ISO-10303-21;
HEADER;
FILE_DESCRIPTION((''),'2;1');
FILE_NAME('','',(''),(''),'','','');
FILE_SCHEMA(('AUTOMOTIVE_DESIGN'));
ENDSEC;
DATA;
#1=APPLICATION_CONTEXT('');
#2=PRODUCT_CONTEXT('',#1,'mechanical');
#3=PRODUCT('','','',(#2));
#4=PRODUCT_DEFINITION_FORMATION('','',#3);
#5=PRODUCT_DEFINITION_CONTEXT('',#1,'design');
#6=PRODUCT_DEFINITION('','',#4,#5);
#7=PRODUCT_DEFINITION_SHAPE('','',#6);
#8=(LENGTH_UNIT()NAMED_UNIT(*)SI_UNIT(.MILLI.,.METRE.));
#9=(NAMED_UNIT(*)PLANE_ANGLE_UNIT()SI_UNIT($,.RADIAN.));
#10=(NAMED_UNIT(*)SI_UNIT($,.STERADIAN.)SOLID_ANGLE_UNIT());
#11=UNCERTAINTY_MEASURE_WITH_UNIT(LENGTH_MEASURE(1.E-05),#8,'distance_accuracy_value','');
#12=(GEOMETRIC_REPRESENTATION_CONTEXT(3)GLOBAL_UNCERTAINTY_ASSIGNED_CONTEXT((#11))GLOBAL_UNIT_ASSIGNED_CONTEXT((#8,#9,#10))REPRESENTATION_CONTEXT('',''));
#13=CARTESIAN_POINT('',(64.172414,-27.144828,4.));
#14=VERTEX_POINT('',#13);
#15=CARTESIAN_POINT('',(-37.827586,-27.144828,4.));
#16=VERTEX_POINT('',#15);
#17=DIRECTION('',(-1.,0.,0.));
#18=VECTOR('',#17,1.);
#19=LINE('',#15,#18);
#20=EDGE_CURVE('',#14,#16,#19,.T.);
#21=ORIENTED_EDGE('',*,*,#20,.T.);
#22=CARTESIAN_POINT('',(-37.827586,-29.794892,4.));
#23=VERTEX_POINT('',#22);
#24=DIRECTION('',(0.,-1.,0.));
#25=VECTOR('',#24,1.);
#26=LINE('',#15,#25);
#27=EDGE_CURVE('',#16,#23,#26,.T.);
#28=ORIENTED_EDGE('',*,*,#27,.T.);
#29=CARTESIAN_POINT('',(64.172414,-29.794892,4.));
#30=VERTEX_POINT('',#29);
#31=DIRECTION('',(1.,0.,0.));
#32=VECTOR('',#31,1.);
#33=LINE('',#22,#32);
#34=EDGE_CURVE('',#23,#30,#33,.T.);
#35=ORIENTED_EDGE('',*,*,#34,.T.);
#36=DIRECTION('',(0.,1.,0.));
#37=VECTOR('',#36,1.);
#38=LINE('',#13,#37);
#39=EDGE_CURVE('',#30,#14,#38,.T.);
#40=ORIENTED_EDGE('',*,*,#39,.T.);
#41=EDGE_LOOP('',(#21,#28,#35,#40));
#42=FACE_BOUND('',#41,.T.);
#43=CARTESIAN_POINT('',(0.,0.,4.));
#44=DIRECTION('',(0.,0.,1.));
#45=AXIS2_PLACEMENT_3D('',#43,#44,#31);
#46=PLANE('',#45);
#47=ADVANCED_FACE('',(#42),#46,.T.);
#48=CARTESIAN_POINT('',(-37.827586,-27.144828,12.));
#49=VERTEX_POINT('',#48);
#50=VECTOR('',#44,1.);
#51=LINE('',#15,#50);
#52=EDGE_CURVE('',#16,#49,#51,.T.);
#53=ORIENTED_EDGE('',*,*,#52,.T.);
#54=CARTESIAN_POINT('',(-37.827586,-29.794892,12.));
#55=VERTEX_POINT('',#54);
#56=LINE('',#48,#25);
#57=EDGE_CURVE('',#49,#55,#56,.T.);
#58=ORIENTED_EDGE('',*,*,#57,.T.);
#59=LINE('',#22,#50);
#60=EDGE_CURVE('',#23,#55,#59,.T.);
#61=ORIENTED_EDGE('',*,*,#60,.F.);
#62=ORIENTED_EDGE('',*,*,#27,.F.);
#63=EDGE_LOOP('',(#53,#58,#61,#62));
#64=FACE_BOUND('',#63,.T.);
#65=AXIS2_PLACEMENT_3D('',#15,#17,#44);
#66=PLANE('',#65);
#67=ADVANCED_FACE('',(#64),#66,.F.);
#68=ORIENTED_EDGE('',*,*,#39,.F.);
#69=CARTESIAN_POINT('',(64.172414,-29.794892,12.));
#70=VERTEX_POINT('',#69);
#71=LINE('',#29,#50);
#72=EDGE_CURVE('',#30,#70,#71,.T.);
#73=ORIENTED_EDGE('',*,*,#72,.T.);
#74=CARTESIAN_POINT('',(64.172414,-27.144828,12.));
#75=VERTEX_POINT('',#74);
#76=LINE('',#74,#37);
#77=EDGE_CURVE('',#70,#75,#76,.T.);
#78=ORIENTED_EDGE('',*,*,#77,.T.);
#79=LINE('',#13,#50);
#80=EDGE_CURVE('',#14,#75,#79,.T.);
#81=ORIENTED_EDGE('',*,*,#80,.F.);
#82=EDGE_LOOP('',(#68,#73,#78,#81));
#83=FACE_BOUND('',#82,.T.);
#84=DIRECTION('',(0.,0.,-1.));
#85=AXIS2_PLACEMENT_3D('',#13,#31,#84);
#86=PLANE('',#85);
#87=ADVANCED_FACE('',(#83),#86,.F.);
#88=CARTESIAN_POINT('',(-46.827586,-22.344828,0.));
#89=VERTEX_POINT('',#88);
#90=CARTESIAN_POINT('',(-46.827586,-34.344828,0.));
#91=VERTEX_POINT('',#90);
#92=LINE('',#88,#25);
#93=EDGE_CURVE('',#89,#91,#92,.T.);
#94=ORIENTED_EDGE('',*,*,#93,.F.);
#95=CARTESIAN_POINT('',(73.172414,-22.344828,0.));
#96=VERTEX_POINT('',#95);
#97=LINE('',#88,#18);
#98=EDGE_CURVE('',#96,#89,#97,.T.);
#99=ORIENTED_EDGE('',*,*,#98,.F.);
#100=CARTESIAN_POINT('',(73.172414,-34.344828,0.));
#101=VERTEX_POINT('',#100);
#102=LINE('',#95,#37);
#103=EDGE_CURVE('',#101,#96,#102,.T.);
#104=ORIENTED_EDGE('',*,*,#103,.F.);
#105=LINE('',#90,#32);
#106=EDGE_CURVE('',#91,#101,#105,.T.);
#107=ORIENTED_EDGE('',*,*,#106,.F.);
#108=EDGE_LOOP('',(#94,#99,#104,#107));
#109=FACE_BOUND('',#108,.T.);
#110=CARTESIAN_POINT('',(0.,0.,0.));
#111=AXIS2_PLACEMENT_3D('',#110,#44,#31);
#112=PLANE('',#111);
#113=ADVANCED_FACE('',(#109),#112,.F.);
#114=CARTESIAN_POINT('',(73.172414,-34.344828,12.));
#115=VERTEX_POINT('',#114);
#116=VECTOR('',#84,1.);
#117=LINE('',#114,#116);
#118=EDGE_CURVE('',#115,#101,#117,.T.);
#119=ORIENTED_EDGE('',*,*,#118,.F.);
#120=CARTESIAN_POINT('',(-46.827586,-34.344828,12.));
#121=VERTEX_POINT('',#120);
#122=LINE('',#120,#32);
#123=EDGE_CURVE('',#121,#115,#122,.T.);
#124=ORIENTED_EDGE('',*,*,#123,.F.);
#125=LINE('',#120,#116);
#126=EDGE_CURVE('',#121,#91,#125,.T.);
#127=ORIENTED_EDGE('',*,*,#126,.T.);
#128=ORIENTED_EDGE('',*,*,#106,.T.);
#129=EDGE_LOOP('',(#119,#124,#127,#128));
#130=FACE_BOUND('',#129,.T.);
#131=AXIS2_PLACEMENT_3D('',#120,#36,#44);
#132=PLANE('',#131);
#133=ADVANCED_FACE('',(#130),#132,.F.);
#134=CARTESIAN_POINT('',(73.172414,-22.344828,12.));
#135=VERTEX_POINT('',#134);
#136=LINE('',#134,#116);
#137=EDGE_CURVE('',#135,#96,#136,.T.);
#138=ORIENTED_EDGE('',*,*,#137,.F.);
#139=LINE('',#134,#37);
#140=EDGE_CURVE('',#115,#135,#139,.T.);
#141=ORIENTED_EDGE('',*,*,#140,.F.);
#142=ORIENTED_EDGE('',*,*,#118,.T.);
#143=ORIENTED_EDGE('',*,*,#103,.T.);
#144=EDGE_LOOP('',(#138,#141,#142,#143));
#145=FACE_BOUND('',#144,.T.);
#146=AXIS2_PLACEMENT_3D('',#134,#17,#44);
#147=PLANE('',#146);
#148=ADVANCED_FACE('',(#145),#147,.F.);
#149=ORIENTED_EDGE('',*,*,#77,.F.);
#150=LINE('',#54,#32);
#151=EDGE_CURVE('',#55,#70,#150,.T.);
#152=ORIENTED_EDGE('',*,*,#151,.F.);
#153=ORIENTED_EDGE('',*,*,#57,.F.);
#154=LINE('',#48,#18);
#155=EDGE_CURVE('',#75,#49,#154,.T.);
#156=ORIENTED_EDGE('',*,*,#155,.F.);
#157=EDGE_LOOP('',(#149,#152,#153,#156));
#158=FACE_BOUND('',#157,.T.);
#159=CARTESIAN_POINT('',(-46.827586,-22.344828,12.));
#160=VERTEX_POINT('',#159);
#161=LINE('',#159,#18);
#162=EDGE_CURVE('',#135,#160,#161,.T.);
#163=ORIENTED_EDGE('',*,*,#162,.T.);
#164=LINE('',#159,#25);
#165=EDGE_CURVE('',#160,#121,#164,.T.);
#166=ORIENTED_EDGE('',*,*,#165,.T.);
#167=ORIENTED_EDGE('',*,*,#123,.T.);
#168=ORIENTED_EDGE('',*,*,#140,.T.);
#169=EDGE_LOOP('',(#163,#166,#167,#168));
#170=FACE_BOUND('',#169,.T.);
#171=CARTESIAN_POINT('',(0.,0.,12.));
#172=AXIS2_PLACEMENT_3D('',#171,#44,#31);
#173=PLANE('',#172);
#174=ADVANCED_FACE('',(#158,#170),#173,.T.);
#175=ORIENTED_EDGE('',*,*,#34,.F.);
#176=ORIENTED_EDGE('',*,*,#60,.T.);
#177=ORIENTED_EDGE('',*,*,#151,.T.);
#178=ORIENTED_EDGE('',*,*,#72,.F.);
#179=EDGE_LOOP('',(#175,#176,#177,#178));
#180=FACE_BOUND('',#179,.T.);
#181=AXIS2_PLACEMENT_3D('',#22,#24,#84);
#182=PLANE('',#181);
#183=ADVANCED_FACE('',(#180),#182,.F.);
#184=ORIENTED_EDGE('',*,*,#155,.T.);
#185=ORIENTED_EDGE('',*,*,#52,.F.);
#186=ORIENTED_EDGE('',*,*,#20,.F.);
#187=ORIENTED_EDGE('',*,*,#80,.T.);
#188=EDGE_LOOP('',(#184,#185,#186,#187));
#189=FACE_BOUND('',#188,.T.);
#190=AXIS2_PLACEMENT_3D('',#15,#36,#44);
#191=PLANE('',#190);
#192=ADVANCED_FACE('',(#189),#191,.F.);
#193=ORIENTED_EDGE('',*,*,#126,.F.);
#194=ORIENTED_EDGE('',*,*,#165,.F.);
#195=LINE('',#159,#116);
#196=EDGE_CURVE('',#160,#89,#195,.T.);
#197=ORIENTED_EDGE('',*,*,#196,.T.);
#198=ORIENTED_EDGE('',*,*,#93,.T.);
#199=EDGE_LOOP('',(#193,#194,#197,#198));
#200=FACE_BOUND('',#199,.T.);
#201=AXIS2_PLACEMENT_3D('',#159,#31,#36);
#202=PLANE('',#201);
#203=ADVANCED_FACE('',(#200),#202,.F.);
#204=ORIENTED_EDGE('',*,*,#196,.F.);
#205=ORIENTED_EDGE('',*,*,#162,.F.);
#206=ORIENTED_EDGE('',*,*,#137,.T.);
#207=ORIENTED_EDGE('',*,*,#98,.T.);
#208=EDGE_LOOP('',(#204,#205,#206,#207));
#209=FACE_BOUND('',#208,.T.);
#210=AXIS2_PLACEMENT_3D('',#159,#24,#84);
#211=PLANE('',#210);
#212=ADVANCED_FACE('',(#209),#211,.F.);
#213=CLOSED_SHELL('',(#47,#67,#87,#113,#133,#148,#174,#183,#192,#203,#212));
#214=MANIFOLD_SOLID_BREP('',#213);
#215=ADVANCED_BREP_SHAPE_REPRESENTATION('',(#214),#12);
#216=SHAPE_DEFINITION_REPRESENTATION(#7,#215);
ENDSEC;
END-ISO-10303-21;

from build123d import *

# Parameters (mm, degrees)
SKETCH_1_W          = 120
SKETCH_1_H          = 12
EXTRUDE_2_DEPTH     = 12
SKETCH_4_W          = 102
SKETCH_4_H          = 2.650064188
CUT_EXTRUDE_2_DEPTH = 8


with BuildPart() as part:
    # 草图1 → 凸台-拉伸2 (new body)
    with BuildSketch(Plane.XY):
        with Locations((13.172413793, -28.344827586)):
            Rectangle(SKETCH_1_W, SKETCH_1_H)
    extrude(amount=EXTRUDE_2_DEPTH)

    # 草图4 → 切除-拉伸2 (cut)
    with BuildSketch(Plane.XY.offset(12)):
        with Locations((13.172413793, -28.46985968)):
            Rectangle(SKETCH_4_W, SKETCH_4_H)
    extrude(amount=-CUT_EXTRUDE_2_DEPTH, mode=Mode.SUBTRACT)


solid = part.part
